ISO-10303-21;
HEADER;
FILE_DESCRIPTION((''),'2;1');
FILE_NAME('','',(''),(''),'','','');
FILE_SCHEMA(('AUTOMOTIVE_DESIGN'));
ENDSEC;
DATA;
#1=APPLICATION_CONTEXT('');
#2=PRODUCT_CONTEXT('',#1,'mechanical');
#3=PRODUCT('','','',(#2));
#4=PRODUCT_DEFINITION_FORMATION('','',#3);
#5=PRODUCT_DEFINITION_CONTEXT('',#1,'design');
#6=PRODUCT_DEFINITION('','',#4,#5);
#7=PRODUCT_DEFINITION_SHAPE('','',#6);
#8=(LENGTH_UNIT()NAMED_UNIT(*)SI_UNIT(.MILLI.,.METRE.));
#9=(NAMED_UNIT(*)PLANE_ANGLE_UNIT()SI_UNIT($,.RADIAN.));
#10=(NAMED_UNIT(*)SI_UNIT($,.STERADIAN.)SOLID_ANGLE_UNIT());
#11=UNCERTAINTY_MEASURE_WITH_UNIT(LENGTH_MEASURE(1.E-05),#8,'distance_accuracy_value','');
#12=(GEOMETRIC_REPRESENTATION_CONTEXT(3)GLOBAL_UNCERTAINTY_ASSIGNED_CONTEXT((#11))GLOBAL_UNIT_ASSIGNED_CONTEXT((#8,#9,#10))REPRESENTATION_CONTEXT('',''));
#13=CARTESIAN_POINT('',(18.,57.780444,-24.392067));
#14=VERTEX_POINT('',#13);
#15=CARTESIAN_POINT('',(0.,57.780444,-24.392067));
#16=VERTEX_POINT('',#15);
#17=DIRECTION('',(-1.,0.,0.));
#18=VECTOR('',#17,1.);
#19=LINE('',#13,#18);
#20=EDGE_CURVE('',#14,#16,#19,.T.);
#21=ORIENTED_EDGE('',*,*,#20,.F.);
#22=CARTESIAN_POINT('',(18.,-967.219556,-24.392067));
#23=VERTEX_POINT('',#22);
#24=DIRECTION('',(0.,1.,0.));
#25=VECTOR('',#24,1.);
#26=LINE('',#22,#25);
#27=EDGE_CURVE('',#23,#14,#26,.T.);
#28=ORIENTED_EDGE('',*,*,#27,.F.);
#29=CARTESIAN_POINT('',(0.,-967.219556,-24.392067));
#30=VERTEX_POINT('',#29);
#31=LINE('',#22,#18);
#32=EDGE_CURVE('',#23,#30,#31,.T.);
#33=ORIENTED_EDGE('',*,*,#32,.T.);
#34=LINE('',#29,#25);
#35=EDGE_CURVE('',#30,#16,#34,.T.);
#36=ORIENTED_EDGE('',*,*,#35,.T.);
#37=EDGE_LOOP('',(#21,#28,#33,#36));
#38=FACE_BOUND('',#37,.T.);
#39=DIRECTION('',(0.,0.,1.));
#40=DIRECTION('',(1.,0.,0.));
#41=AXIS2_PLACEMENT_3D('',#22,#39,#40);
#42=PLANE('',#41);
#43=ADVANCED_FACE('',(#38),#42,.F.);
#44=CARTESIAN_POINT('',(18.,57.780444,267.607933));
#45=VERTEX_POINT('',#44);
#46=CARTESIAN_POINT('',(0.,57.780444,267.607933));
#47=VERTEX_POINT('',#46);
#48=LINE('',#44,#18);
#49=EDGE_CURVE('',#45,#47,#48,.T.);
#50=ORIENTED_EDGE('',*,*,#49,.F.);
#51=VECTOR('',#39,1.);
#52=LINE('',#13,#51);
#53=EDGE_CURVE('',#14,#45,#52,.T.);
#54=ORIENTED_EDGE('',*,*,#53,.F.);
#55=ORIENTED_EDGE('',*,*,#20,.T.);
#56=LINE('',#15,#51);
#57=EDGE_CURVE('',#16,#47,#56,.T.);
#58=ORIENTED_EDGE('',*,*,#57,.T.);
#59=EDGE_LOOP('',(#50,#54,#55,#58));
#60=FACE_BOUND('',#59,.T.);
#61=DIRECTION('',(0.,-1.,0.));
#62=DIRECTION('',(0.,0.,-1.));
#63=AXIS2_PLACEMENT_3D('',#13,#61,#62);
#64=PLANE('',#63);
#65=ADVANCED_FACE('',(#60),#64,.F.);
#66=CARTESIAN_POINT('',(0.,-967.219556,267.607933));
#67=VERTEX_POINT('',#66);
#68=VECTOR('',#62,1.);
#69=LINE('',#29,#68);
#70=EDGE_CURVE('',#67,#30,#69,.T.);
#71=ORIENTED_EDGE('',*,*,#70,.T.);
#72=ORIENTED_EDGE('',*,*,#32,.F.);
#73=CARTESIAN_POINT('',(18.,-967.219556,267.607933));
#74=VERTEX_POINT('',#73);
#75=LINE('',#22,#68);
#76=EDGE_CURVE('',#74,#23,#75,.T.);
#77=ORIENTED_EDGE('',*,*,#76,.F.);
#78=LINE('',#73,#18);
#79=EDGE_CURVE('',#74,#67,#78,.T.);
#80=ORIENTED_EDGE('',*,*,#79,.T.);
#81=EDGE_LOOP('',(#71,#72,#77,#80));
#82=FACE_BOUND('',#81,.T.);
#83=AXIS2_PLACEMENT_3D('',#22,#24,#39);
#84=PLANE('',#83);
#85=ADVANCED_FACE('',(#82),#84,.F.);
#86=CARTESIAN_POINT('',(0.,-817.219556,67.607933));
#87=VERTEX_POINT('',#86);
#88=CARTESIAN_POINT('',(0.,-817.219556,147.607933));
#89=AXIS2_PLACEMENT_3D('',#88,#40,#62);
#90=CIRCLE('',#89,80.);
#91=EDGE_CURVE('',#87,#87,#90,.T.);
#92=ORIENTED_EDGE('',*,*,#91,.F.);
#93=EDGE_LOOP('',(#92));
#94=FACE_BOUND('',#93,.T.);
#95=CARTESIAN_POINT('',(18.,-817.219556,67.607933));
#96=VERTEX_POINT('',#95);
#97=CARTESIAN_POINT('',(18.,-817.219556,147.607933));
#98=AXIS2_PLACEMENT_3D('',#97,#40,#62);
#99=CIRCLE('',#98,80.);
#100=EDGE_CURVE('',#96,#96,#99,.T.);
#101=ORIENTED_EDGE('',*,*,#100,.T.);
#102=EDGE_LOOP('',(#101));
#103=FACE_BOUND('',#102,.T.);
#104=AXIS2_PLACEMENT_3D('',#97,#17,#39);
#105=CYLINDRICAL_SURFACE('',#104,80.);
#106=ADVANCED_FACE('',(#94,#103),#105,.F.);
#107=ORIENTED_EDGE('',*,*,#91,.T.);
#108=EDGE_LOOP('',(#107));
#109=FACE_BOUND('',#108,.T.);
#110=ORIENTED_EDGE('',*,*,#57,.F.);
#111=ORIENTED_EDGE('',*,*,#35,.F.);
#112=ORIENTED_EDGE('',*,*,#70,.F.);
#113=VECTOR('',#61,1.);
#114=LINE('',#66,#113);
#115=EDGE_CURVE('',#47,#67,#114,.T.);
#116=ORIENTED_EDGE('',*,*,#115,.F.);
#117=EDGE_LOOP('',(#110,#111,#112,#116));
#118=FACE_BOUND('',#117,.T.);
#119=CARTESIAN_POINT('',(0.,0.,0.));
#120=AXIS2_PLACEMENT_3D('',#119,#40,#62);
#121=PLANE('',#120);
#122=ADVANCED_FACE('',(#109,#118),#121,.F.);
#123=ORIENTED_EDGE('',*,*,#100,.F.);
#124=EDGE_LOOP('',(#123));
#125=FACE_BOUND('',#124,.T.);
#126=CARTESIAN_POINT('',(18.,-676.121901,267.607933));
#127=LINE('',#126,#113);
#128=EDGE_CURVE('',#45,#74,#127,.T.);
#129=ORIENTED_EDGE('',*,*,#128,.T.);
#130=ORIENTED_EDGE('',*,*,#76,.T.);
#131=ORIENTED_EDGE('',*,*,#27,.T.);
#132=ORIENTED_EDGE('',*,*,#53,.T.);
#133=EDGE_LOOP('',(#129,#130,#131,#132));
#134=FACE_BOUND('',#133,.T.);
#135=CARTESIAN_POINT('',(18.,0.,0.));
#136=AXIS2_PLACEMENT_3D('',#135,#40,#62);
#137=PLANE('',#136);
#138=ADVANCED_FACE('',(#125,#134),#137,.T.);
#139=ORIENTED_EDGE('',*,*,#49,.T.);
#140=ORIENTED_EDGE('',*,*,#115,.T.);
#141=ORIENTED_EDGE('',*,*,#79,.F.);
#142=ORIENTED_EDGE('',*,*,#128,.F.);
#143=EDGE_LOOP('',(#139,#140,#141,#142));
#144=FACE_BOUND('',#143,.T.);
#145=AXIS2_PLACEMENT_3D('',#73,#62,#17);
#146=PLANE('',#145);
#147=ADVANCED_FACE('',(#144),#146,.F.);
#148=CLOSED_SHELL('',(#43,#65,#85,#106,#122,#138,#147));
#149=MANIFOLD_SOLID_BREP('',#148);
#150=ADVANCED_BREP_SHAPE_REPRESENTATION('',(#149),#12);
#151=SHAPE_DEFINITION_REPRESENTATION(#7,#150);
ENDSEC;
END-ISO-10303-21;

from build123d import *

# Parameters (mm, degrees)
SKETCH1_R           = 80
BOSS_EXTRUDE1_DEPTH = 18


with BuildPart() as part:
    # Sketch1 → Boss-Extrude1 (new body)
    with BuildSketch(Plane(origin=(0, 0, 0), x_dir=(0, 0, -1), z_dir=(1, 0, 0))):
        Polygon((24.392066811, -967.219556499), (-267.607933189, -967.219556499), (-267.607933189, -836.121901092), (-267.607933189, -676.121901092), (-267.607933189, 57.780443501), (24.392066811, 57.780443501), align=None)
        with Locations((-147.607933189, -817.219556499)):
            Circle(SKETCH1_R, mode=Mode.SUBTRACT)
    extrude(amount=BOSS_EXTRUDE1_DEPTH)


solid = part.part
